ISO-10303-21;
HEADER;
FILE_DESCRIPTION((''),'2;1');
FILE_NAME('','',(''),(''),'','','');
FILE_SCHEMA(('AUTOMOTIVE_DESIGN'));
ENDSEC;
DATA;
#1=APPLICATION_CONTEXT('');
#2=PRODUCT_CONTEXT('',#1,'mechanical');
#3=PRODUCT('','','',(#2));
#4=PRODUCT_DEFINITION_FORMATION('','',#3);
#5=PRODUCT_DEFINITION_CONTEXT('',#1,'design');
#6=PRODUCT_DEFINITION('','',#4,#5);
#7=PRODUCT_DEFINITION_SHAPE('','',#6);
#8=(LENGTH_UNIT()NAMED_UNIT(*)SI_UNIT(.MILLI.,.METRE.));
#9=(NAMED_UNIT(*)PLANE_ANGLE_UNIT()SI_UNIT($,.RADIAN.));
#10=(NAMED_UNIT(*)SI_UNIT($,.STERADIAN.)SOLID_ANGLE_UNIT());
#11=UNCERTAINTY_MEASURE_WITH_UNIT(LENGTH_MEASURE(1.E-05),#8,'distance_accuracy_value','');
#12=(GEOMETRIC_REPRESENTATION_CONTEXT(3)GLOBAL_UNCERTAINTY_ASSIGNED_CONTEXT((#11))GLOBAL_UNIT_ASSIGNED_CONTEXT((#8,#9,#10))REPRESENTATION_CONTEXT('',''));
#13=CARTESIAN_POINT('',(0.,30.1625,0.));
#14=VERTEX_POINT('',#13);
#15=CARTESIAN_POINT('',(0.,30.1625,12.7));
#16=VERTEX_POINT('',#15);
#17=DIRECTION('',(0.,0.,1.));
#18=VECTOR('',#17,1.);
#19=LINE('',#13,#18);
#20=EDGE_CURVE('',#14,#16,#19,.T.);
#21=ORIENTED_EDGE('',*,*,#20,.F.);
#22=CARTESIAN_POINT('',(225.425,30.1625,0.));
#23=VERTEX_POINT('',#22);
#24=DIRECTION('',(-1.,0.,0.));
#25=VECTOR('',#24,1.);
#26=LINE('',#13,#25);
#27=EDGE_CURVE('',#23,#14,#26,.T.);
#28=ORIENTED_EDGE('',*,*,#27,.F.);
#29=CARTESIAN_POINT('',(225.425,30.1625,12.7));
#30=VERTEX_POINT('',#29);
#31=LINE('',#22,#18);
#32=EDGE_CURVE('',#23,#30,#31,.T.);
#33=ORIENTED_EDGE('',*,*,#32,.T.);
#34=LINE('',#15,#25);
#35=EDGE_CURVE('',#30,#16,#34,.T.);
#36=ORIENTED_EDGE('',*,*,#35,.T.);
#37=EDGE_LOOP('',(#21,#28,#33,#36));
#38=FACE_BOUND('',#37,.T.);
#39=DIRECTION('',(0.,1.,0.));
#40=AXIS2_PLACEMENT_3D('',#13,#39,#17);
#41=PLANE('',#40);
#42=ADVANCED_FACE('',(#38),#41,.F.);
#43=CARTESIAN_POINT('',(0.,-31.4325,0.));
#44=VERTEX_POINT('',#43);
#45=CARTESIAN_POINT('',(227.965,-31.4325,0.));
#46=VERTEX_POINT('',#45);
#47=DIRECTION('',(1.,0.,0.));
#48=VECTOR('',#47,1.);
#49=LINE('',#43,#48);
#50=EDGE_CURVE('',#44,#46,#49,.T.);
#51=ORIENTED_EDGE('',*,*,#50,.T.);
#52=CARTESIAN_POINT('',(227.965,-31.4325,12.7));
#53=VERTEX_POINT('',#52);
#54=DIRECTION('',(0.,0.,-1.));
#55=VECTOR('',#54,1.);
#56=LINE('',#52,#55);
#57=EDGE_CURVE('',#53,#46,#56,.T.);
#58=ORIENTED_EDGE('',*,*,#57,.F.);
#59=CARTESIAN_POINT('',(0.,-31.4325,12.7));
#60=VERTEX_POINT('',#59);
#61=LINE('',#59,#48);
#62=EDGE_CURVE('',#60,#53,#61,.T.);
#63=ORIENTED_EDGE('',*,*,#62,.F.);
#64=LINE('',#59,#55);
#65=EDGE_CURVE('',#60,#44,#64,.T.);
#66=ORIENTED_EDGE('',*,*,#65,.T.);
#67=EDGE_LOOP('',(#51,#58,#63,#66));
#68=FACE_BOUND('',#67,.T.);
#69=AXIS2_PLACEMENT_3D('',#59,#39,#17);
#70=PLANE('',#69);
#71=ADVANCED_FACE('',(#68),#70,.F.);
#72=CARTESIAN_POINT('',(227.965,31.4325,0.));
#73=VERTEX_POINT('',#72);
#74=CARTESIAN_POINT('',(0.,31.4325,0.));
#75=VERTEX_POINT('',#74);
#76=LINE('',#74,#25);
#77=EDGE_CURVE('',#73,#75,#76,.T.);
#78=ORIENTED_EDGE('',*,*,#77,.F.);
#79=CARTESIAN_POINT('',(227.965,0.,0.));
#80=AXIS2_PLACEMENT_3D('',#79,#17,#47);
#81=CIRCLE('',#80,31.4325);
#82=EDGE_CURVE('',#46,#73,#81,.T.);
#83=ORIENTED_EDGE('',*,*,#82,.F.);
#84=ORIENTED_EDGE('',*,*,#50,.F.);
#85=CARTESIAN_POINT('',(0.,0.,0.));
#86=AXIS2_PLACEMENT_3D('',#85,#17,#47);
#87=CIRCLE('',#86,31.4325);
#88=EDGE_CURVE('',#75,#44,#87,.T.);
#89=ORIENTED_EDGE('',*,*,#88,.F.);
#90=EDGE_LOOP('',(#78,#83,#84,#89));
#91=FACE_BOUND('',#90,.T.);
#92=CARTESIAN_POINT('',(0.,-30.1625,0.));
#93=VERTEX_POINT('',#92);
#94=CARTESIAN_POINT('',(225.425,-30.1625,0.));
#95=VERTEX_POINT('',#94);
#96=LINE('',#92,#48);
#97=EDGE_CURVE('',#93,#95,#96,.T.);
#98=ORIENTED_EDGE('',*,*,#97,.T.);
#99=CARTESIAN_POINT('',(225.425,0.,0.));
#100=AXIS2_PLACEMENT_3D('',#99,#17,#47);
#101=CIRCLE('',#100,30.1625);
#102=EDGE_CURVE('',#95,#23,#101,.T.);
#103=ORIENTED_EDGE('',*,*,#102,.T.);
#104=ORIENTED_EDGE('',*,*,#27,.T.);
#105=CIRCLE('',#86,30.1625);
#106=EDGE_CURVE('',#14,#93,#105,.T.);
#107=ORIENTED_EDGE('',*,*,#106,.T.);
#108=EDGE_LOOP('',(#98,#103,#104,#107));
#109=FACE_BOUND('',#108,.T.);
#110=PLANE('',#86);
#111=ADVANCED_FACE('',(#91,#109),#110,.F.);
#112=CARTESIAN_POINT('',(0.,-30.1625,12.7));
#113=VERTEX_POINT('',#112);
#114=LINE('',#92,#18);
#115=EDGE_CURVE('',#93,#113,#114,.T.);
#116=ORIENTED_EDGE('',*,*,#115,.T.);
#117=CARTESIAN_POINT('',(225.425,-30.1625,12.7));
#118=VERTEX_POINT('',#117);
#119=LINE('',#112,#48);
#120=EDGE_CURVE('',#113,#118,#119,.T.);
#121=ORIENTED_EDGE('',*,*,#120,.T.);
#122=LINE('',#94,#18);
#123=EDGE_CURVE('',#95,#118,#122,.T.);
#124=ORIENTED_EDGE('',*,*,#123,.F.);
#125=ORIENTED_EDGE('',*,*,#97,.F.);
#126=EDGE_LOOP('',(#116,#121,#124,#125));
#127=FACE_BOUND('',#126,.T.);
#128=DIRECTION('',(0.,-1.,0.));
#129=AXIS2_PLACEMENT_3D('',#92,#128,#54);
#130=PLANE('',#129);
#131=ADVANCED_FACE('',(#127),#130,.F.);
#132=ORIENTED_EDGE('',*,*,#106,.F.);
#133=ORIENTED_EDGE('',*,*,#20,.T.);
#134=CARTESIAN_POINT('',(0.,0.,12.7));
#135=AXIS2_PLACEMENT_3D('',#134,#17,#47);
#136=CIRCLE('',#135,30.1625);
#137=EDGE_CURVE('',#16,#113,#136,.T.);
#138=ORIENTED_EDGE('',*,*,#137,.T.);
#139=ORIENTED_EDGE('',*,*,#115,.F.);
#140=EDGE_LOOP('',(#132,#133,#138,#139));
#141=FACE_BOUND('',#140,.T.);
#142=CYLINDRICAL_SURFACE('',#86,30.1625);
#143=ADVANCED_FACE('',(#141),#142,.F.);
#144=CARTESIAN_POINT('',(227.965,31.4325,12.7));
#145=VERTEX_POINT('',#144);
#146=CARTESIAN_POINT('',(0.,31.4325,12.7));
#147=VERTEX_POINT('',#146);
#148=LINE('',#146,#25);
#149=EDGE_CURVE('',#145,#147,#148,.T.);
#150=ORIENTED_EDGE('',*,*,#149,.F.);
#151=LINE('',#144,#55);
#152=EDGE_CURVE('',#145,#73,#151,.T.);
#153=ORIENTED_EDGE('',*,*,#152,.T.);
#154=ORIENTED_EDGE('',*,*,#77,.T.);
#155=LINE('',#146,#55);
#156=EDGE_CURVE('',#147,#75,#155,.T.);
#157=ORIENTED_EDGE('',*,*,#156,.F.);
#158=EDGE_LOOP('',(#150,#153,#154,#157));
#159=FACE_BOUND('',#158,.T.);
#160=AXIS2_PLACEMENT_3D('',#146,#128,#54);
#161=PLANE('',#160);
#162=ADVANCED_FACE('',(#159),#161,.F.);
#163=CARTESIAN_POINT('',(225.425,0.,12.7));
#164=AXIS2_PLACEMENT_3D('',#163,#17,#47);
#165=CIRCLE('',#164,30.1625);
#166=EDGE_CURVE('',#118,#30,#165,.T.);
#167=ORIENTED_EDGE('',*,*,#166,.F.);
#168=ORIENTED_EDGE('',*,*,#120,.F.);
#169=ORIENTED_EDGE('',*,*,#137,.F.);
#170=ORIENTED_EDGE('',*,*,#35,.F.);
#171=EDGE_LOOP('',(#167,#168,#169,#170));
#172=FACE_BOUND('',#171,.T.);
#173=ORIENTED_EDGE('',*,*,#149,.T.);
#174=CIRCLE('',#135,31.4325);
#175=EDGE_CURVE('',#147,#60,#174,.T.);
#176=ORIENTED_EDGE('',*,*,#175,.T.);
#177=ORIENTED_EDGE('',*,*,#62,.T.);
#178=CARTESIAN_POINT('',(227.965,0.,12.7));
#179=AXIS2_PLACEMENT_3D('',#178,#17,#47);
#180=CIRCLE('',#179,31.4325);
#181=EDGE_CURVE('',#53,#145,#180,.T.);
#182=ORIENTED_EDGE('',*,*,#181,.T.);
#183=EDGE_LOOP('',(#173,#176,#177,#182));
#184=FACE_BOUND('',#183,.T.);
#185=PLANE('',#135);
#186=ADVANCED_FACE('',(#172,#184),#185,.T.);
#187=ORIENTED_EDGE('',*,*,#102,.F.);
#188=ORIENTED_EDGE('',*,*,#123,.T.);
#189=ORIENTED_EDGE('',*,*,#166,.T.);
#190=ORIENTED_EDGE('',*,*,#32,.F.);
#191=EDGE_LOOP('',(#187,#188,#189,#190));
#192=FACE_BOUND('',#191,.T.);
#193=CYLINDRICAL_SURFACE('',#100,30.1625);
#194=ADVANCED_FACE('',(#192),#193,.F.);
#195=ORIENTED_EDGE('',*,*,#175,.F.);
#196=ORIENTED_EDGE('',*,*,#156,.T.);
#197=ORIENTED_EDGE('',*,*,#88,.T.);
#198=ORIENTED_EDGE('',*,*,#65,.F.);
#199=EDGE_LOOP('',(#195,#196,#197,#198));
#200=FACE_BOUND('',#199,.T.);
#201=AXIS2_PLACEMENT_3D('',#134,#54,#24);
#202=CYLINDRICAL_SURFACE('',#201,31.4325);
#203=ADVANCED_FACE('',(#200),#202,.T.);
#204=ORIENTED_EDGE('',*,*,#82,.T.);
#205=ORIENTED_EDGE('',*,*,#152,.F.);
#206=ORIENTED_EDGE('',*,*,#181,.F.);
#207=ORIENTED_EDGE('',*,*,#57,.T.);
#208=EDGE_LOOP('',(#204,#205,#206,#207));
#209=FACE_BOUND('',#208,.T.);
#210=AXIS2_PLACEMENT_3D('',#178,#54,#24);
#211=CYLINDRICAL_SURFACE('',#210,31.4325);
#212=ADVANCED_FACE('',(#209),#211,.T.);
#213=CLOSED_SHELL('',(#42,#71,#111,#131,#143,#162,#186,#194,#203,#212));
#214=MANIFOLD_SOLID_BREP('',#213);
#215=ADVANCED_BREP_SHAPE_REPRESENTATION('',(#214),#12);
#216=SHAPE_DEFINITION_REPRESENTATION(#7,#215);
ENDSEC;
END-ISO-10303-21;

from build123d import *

# Parameters (mm, degrees)
BOSS_EXTRUDE1_DEPTH = 12.7
CUT_EXTRUDE1_DEPTH  = 12.7


with BuildPart() as part:
    # Sketch2 → Boss-Extrude1 (new body)
    with BuildSketch(Plane.XY):
        with BuildLine():
            Line((0, 31.4325), (227.965, 31.4325))
            ThreePointArc((227.965, 31.4325), (259.3975, 0), (227.965, -31.4325))
            Line((227.965, -31.4325), (0, -31.4325))
            ThreePointArc((0, -31.4325), (-31.4325, 0), (0, 31.4325))
        make_face()
    extrude(amount=BOSS_EXTRUDE1_DEPTH)

    # Sketch3 → Cut-Extrude1 (cut)
    with BuildSketch(Plane.XY.offset(12.7)):
        with BuildLine():
            Line((0, 30.1625), (225.425, 30.1625))
            ThreePointArc((225.425, 30.1625), (255.5875, 0), (225.425, -30.1625))
            Line((225.425, -30.1625), (0, -30.1625))
            ThreePointArc((0, -30.1625), (-30.1625, 0), (0, 30.1625))
        make_face()
    extrude(amount=-CUT_EXTRUDE1_DEPTH, mode=Mode.SUBTRACT)


solid = part.part
